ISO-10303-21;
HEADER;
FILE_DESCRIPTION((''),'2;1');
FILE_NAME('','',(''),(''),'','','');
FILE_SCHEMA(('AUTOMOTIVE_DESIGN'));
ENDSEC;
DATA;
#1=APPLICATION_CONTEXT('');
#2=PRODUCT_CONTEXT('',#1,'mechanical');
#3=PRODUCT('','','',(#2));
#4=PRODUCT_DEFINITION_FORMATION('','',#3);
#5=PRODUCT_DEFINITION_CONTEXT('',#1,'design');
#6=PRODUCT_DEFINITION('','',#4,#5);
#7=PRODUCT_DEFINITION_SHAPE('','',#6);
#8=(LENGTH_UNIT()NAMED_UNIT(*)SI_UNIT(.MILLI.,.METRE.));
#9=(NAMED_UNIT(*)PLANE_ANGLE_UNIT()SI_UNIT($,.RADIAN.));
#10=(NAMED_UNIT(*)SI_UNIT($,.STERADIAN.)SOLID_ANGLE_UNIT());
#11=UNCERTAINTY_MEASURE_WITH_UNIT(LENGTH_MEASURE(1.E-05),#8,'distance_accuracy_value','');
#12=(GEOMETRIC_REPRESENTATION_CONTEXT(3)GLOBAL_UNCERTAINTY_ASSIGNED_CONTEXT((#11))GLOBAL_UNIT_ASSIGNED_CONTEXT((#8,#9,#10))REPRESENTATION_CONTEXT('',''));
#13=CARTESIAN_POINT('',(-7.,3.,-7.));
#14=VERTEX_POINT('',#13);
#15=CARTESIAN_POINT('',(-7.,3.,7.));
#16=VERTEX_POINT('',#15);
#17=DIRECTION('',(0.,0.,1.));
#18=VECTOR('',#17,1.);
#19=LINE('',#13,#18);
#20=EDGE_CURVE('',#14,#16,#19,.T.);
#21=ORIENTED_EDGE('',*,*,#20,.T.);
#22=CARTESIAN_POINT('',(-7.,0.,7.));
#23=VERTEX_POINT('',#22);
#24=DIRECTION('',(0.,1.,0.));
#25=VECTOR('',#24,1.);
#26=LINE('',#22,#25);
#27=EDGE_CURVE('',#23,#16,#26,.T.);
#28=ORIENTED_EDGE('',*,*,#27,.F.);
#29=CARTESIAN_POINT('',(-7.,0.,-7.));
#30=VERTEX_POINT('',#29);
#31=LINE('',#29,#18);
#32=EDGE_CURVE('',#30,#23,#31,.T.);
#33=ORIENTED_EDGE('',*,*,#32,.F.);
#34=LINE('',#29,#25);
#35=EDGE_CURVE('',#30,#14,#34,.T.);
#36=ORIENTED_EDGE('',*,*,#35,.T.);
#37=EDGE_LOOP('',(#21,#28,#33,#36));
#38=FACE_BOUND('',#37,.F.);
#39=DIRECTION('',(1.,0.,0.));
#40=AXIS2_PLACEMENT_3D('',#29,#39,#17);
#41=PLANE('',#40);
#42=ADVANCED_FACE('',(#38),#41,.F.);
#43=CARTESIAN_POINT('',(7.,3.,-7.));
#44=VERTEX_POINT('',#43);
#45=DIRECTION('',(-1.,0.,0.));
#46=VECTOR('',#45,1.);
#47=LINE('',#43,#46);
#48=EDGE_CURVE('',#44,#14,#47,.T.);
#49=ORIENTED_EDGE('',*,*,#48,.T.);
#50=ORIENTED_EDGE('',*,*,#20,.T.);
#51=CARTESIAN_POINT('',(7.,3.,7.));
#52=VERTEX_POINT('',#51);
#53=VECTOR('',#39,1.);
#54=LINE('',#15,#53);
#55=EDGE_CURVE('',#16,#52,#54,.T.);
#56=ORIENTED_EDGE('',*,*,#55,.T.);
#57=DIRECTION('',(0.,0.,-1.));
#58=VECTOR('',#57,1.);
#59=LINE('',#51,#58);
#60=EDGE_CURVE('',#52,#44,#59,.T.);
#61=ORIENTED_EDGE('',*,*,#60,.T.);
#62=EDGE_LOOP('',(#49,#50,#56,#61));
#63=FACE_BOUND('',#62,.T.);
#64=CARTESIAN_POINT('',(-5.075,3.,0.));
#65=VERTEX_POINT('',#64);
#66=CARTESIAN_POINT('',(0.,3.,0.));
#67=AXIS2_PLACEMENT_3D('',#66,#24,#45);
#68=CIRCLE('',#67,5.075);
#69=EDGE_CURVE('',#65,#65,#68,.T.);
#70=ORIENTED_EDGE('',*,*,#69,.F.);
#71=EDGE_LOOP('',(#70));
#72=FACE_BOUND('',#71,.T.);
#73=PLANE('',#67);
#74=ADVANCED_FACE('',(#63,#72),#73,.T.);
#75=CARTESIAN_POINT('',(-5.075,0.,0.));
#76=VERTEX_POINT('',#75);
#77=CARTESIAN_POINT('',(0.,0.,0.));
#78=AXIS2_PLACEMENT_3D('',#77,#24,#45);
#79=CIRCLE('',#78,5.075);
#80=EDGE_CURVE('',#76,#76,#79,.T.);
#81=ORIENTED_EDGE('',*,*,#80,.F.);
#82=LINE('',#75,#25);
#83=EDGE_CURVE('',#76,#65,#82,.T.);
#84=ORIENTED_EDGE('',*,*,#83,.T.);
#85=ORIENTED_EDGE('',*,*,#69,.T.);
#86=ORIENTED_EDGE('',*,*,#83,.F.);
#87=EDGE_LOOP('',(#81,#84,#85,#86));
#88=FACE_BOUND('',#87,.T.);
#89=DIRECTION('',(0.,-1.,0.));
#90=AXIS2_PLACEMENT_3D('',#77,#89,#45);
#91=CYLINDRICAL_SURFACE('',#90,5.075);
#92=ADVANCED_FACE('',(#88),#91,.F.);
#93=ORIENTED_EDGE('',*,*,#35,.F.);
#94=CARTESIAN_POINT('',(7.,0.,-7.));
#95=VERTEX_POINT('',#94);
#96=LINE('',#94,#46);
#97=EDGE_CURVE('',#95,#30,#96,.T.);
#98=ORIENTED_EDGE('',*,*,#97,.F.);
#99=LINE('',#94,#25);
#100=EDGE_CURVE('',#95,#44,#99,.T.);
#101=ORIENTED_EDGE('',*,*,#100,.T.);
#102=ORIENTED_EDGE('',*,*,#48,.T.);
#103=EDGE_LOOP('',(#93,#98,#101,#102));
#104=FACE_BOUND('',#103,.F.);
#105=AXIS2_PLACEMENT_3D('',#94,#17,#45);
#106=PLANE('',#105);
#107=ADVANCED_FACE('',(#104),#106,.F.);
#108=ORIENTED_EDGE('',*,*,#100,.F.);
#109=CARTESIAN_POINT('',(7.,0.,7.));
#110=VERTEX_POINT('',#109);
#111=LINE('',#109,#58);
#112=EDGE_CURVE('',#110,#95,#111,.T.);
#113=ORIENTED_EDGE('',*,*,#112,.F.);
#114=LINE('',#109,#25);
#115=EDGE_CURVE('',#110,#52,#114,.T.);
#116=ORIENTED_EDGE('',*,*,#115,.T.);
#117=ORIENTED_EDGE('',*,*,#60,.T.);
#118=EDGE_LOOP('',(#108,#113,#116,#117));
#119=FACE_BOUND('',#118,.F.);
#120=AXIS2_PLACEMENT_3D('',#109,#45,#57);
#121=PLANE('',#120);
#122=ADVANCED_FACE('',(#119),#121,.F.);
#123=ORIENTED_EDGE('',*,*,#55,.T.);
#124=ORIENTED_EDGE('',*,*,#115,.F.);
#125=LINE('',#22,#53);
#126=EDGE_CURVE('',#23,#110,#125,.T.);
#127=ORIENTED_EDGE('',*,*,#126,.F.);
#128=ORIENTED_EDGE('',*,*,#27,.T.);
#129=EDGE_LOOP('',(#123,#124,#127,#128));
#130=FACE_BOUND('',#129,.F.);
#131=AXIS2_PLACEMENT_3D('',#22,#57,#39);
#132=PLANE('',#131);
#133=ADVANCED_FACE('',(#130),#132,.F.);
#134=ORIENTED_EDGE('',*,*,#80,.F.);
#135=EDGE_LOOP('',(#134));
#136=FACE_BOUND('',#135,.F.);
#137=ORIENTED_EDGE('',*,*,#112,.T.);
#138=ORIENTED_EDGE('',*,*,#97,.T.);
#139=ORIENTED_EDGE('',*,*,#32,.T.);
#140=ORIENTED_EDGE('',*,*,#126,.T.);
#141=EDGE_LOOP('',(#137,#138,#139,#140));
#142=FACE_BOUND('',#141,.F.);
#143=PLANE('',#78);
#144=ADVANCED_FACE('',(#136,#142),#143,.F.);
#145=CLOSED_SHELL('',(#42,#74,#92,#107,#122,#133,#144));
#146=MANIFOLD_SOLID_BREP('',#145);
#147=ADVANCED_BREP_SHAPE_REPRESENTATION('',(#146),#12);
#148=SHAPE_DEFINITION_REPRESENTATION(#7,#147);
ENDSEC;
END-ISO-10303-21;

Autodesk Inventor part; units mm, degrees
ref_plane "YZ Plane" through (0, 0, 0) normal (1, 0, 0) x (0, 1, 0)
ref_plane "XZ Plane" through (0, 0, 0) normal (0, 1, 0) x (-1, 0, 0)
ref_plane "XY Plane" through (0, 0, 0) normal (0, 0, 1) x (1, 0, 0)
sketch "Sketch1" plane through (0, 0, 0) normal (0, 1, 0) x (-1, 0, 0)
  line L0 (7, 7) -> (-7, 7)
  line L1 (-7, 7) -> (-7, -7)
  line L2 (-7, -7) -> (7, -7)
  line L3 (7, -7) -> (7, 7)
  line L4 (7, 7) -> (-7, -7) construction
  line L5 (-7, 7) -> (7, -7) construction
  circle A0 centre (0, 0) radius 5.075
  dimension "d0" = 14
  dimension "d1" = 14
  dimension "d2" = 10.15
extrude "Extrusion1" add sketch "Sketch1" along normal blind 3
properties part number "sample"
